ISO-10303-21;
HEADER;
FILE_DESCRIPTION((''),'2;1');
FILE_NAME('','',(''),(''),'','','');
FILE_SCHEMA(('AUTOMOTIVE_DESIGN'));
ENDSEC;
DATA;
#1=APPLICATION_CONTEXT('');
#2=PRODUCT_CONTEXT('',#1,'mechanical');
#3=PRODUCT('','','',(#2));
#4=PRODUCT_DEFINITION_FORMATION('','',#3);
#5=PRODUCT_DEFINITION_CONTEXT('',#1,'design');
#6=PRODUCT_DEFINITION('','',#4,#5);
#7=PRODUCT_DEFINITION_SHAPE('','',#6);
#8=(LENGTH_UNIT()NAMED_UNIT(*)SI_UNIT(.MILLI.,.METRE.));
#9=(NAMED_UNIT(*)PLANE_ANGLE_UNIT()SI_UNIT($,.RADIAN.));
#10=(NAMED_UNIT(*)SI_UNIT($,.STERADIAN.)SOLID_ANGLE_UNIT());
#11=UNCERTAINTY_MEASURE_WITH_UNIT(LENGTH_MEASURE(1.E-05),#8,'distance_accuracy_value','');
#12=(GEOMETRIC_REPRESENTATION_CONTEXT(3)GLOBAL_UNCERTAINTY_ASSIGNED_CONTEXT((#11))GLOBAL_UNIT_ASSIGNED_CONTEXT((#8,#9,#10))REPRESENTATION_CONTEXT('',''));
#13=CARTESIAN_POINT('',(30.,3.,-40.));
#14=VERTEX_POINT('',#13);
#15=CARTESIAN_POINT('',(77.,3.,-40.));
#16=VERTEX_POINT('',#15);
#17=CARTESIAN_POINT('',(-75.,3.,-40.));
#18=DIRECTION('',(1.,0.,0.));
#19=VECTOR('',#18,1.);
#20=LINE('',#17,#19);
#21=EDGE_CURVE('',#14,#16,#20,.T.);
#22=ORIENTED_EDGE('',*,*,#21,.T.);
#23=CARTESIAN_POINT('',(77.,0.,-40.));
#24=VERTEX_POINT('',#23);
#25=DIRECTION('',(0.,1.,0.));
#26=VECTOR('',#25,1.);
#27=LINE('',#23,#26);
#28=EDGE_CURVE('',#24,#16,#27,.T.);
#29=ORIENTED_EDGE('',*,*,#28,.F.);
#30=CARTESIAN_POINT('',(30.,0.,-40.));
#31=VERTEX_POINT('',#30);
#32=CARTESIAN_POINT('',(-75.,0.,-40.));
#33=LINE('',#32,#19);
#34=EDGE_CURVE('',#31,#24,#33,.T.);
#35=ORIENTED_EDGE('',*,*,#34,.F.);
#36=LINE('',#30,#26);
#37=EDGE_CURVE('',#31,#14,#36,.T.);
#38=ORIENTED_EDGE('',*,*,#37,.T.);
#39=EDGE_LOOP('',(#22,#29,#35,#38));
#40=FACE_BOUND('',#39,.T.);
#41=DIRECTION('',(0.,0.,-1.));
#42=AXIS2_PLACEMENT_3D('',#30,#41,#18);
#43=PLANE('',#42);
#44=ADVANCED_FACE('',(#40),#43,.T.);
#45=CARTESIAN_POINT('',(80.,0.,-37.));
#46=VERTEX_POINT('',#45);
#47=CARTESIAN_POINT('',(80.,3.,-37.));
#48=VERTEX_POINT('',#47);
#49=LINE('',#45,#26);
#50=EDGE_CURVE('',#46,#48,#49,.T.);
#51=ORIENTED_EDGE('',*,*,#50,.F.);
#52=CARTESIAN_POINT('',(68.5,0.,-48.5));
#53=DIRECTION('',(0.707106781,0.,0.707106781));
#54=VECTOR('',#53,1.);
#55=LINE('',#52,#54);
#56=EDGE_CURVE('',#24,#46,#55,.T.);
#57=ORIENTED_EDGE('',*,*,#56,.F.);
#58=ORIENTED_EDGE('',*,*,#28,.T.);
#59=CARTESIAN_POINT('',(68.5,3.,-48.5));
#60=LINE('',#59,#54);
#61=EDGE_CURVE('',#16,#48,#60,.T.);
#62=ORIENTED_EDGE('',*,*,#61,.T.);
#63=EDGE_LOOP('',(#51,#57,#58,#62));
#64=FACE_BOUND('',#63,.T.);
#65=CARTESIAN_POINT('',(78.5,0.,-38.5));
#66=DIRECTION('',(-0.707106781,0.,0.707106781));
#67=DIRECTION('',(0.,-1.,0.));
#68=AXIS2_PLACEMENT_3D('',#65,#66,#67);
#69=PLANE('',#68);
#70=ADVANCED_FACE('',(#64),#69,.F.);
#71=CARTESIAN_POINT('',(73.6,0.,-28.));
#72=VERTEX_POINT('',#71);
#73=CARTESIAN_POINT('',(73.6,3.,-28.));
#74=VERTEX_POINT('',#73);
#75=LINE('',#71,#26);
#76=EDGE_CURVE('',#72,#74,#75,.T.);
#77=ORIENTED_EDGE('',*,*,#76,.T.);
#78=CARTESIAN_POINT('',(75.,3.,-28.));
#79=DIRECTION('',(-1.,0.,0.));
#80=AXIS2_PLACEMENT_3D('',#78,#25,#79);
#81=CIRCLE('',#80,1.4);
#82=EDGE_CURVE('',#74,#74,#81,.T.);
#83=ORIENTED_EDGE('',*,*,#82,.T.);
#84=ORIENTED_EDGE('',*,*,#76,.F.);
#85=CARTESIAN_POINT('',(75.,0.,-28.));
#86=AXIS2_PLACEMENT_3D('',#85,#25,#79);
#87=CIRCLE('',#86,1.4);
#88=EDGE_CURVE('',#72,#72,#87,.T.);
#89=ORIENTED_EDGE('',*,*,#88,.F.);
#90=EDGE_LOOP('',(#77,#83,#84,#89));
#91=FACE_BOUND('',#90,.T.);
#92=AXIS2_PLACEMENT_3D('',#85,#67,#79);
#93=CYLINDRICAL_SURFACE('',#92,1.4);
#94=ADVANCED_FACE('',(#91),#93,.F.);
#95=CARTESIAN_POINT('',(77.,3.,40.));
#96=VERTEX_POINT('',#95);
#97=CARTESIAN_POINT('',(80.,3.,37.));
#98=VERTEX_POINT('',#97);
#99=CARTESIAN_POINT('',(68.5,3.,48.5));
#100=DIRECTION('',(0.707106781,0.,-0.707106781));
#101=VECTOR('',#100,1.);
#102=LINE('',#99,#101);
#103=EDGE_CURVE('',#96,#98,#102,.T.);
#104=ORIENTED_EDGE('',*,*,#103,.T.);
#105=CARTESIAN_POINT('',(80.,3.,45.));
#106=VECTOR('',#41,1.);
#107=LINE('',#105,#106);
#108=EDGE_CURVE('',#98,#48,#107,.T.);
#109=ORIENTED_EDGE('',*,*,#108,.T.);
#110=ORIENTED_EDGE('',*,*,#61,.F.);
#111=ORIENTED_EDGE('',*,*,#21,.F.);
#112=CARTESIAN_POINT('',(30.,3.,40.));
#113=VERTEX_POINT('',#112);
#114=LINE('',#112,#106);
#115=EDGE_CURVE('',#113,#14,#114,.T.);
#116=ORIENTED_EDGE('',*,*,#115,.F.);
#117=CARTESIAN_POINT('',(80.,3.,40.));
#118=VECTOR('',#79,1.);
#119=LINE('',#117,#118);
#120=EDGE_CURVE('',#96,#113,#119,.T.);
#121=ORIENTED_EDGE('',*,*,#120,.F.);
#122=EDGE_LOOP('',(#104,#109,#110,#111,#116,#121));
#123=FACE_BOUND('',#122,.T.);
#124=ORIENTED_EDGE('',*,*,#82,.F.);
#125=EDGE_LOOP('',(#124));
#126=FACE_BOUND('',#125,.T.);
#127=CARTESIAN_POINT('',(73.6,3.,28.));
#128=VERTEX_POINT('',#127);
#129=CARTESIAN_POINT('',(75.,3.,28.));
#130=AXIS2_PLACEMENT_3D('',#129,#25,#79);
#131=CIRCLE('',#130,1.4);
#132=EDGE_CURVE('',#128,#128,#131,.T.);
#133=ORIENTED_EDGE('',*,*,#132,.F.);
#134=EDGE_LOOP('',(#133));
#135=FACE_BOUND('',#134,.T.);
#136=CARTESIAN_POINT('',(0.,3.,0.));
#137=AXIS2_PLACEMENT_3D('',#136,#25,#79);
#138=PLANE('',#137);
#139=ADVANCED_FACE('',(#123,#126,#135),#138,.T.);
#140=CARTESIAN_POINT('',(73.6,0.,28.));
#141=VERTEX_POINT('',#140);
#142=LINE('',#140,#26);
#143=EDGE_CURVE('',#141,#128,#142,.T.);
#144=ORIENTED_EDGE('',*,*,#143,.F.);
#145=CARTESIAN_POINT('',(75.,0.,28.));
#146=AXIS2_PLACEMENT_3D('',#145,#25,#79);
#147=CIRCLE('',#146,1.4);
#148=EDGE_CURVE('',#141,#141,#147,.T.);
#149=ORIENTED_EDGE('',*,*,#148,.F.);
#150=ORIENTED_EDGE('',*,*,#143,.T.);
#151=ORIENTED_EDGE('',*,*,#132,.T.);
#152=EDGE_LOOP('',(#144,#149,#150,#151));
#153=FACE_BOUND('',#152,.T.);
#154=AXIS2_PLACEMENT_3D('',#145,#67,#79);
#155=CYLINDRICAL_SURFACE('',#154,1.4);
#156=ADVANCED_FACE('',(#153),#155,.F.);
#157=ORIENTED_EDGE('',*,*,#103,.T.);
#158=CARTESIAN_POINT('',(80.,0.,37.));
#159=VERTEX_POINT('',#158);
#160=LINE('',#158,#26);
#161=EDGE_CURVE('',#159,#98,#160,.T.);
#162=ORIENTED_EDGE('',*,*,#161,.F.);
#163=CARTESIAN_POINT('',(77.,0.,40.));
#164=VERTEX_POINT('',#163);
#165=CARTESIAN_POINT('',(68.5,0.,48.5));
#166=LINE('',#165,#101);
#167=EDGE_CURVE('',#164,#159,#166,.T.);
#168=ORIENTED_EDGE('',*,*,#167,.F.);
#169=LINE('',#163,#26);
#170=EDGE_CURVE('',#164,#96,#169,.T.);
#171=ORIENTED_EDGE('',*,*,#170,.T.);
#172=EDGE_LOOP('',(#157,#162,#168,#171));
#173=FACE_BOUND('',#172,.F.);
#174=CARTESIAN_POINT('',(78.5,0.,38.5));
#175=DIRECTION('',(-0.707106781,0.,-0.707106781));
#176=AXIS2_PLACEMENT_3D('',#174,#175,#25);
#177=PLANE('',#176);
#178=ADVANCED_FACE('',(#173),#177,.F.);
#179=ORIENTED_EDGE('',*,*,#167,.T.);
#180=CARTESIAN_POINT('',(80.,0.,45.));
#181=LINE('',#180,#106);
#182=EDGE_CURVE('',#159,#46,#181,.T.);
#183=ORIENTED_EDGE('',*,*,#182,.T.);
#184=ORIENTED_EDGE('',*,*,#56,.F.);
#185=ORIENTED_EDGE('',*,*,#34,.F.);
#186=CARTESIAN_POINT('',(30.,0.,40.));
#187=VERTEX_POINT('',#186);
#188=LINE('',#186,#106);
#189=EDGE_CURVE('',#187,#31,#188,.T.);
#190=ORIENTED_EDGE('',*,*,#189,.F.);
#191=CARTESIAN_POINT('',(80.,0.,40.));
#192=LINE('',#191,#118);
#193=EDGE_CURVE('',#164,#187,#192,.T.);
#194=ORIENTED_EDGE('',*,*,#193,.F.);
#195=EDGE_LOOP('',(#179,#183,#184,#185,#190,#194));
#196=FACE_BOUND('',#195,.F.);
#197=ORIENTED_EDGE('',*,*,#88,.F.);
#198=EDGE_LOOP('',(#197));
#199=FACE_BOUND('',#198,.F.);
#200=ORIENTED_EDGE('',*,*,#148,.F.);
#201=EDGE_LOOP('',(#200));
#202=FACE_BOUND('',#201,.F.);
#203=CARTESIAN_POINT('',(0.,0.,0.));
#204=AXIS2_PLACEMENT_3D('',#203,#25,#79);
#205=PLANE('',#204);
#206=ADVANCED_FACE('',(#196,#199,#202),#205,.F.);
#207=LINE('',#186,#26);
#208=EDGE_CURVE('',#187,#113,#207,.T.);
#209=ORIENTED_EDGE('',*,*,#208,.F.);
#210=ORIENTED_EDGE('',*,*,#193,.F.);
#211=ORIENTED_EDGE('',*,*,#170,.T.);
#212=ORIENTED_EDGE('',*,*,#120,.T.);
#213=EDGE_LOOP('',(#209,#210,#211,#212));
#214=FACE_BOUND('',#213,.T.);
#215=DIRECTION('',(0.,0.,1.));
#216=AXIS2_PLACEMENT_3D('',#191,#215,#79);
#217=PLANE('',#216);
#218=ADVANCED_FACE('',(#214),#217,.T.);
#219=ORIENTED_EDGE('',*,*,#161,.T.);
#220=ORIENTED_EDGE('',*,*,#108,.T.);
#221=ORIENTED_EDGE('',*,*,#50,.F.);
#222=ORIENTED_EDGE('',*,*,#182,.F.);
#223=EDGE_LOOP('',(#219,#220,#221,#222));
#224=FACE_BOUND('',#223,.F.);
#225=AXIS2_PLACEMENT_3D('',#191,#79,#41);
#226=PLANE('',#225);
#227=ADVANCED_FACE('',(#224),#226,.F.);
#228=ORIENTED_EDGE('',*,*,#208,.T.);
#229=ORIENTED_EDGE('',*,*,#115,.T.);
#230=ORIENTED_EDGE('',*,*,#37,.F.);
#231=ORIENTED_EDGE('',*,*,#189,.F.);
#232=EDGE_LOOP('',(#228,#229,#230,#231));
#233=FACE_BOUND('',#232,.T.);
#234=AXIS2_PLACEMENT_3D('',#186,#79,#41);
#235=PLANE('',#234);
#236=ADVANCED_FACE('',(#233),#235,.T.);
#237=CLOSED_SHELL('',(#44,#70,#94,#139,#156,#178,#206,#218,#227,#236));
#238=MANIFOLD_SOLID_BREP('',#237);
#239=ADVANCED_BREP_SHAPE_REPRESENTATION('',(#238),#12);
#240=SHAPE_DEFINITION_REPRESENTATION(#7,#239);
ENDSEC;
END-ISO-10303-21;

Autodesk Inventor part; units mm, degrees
ref_plane "YZ Plane" through (0, 0, 0) normal (1, 0, 0) x (0, 1, 0)
ref_plane "XZ Plane" through (0, 0, 0) normal (0, 1, 0) x (-1, 0, 0)
ref_plane "XY Plane" through (0, 0, 0) normal (0, 0, 1) x (1, 0, 0)
sketch "Sketch2" plane through (0, 0, 0) normal (0, 1, 0) x (-1, 0, 0)
  line L0 (80, 45) -> (-80, 45)
  line L1 (-80, 45) -> (-80, -45)
  line L2 (-80, -45) -> (80, -45)
  line L3 (80, -45) -> (80, 45)
  line L4 (80, 45) -> (-80, -45) construction
  line L5 (-80, 45) -> (80, -45) construction
  circle A0 centre (-75, 28) radius 1.4
  line L6 (80, 0) -> (-80, 0) construction
  circle A1 centre (-75, -28) radius 1.4
  line L7 (-80, 40) -> (75, 40)
  line L8 (75, 40) -> (75, -40)
  line L9 (75, -40) -> (-80, -40)
  line L10 (-30, 40) -> (-30, -40)
  point P0 (0, 0)
  point P1 (-75, 40)
  point P2 (-75, -40)
  dimension "d2" = 160
  dimension "d3" = 90
  dimension "d4" = 2.8
  dimension "d5" = 5
  dimension "d6" = 5
  dimension "d10" = 28
  dimension "d11" = 50
extrude "Extrusion1" add sketch "Sketch2" along normal blind 3 contours L7 L10 L9 L1
chamfer "Chamfer1" distance 3 angle 45 2 edges at (80, 1.5, 40) (80, 1.5, -40)
properties part number "mid chassis" material "ABS Plastic"
